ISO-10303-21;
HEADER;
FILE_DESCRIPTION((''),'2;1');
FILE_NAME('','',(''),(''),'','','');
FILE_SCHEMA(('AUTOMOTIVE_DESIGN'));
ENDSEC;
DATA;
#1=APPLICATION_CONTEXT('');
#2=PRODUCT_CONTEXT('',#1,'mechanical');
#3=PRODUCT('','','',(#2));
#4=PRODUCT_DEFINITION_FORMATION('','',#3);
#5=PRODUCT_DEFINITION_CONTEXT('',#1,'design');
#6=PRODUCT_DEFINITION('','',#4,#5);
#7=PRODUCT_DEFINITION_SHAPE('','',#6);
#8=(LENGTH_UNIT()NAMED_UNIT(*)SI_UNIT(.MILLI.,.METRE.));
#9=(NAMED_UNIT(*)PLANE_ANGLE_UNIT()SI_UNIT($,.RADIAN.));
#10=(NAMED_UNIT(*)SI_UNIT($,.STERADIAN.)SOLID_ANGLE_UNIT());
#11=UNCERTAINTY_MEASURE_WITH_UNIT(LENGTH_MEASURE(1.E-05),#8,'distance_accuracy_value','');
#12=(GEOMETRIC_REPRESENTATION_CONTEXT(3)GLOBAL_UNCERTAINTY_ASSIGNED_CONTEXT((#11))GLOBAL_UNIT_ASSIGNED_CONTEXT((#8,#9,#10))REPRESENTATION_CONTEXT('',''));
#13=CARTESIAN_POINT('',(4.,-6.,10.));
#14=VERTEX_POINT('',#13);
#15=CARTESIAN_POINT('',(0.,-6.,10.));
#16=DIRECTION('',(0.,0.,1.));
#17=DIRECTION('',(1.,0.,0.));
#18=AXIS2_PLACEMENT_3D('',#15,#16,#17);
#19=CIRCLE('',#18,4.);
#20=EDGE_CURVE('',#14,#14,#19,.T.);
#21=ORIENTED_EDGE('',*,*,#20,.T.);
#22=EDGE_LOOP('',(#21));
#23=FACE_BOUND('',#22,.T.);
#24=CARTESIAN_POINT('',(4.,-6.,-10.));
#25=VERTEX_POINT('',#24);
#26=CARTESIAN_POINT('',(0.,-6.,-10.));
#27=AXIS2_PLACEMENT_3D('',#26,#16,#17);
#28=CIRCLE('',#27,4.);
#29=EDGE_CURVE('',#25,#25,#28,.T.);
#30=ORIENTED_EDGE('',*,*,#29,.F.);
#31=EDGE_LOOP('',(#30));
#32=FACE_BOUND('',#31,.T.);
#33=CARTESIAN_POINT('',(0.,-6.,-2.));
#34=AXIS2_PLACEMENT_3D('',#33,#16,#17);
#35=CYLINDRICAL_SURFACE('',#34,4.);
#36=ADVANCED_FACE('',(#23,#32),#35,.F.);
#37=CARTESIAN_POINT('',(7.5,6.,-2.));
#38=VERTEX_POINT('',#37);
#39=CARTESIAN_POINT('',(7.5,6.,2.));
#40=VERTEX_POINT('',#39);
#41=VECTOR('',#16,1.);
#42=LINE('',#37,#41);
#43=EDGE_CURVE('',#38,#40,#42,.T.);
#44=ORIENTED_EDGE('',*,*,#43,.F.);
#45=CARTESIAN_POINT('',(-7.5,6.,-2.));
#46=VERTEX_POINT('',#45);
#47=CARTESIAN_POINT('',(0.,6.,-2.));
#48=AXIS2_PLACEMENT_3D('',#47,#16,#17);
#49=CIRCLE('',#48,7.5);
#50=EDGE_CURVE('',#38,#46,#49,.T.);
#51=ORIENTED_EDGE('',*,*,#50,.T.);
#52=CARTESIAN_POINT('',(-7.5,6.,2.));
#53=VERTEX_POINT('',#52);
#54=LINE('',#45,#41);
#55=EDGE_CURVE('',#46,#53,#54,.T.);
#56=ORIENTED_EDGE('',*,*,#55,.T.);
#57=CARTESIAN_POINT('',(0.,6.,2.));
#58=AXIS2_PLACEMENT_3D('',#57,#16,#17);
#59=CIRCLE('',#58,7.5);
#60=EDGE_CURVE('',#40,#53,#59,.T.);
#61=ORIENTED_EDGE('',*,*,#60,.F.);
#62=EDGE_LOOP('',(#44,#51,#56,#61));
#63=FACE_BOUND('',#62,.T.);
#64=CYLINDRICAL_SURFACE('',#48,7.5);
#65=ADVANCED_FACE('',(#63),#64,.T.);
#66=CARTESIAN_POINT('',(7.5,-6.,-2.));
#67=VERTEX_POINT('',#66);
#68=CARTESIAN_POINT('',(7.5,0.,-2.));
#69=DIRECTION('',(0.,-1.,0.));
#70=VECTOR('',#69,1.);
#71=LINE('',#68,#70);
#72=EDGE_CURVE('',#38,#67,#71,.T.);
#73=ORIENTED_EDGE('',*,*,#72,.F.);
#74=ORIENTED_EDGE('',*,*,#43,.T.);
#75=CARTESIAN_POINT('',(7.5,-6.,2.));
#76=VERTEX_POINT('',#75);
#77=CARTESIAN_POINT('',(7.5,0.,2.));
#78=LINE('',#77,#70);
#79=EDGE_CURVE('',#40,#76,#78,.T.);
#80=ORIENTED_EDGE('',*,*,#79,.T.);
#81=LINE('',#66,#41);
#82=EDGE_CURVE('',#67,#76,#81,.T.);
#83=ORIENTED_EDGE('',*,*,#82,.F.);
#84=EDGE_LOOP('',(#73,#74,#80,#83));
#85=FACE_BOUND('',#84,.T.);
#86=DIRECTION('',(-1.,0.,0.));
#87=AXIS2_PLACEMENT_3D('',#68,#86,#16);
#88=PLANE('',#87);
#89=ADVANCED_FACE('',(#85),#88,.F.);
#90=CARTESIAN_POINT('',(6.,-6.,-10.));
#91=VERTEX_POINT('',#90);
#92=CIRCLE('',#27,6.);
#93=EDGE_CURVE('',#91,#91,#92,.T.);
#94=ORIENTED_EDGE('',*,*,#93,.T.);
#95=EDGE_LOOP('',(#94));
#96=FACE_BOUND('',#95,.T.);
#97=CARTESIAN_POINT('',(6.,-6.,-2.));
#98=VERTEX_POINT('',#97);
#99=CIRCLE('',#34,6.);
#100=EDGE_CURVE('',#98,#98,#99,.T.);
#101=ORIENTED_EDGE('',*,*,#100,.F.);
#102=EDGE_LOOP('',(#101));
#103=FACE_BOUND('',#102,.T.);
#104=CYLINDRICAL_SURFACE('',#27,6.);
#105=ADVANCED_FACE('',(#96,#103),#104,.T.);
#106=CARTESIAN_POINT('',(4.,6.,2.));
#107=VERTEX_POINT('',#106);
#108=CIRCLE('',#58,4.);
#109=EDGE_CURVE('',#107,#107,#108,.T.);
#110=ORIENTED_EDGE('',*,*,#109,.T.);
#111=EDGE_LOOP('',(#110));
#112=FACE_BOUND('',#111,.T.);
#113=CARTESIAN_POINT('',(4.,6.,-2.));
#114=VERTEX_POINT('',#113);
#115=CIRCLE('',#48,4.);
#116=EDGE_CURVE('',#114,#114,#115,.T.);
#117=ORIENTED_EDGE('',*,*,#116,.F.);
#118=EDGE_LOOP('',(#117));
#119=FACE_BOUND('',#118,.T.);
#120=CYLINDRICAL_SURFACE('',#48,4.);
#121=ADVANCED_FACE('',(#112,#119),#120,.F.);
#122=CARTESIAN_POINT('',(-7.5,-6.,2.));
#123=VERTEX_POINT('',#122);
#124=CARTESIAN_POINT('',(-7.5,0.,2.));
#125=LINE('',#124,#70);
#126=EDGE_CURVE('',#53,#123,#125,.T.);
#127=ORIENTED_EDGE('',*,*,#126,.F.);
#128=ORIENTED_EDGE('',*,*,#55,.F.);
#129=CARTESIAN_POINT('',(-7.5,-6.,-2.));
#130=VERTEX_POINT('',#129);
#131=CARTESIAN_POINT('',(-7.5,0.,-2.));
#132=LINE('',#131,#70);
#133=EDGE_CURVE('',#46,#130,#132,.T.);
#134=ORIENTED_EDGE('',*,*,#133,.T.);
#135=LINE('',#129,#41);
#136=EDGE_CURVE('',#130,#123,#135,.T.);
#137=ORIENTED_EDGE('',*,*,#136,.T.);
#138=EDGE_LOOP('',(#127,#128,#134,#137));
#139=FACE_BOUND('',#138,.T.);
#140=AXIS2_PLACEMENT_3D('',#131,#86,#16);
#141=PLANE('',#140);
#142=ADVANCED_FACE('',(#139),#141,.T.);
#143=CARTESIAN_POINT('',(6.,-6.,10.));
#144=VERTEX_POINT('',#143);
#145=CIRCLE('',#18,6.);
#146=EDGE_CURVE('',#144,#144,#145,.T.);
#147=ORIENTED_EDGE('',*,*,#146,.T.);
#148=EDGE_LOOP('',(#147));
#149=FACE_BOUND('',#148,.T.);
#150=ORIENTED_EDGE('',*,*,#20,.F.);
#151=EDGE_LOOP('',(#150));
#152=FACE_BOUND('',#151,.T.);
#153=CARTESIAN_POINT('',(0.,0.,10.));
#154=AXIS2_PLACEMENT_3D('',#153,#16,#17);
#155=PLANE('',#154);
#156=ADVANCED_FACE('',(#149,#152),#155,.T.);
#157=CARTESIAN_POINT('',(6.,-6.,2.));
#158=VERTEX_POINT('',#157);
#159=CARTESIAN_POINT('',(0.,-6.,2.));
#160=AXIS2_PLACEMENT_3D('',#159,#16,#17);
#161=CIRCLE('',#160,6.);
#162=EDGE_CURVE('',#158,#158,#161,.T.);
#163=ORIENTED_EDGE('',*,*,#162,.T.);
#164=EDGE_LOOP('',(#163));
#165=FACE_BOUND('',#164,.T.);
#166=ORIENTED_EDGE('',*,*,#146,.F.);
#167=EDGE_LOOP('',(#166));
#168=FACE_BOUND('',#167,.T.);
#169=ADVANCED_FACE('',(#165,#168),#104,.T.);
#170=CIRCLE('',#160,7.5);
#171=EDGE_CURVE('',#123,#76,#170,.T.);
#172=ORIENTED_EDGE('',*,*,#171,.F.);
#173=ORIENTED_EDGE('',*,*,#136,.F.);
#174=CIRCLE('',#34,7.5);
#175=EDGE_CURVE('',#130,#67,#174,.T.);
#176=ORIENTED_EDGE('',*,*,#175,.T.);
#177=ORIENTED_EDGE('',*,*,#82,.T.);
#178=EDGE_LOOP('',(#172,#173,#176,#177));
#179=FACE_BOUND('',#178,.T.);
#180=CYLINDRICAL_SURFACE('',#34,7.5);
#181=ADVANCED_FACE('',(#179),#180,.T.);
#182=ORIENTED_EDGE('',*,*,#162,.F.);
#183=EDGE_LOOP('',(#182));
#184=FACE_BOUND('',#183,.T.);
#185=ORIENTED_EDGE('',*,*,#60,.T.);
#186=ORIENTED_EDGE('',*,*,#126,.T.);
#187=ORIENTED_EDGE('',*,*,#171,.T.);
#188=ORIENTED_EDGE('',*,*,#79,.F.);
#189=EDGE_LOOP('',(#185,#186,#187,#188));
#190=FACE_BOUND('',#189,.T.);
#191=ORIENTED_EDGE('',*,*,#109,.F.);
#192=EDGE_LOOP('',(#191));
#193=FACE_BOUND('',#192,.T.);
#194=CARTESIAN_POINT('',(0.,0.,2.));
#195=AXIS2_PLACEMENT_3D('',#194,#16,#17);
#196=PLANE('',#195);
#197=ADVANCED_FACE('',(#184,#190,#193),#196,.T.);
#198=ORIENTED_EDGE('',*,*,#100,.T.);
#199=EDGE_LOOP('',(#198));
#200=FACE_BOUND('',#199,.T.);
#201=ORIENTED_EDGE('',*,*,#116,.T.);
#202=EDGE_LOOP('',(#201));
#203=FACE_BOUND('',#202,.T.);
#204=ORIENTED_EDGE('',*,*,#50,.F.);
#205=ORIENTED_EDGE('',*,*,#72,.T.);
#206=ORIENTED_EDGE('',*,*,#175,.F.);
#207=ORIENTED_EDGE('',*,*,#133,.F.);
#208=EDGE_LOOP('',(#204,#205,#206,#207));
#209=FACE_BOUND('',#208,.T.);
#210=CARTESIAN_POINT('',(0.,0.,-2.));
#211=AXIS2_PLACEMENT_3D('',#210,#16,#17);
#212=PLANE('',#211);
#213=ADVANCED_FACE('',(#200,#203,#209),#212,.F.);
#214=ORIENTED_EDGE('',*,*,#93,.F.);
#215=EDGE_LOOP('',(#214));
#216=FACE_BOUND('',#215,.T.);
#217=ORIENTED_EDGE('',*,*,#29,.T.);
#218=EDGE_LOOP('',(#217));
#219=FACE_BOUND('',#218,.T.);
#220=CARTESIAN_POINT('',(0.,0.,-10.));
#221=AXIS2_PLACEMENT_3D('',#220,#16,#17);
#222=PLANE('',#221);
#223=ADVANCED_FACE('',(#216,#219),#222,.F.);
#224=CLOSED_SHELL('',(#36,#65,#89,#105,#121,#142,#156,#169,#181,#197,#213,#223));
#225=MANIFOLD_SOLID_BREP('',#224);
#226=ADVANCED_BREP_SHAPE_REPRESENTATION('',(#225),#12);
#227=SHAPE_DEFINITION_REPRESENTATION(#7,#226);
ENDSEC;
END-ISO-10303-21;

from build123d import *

# Parameters (mm, degrees)
SALIENTE_EXTRUIR1_DEPTH      = 2
SALIENTE_EXTRUIR1_DEPTH_BACK = 2
CROQUIS2_R                   = 4
SALIENTE_EXTRUIR2_DEPTH      = 10
SALIENTE_EXTRUIR2_DEPTH_BACK = 10
CROQUIS2_3_R                 = 6
CROQUIS2_3_R_2               = 4


with BuildPart() as part:
    # Croquis2 → Saliente-Extruir1 (new, two sides: drawn at the far end of the back side and taken through both)
    with BuildSketch(Plane.XY.offset(-SALIENTE_EXTRUIR1_DEPTH_BACK)):
        with BuildLine():
            Line((7.5, -6), (7.5, 6))
            ThreePointArc((7.5, 6), (0, 13.5), (-7.5, 6))
            Line((-7.5, 6), (-7.5, -6))
            ThreePointArc((-7.5, -6), (0, -13.5), (7.5, -6))
        make_face()
        with Locations((0, 6)):
            Circle(CROQUIS2_R, mode=Mode.SUBTRACT)
        with Locations((0, -6)):
            Circle(CROQUIS2_R, mode=Mode.SUBTRACT)
    extrude(amount=SALIENTE_EXTRUIR1_DEPTH + SALIENTE_EXTRUIR1_DEPTH_BACK)

    # Croquis2<3> → Saliente-Extruir2 (add, two sides: drawn at the far end of the back side and taken through both)
    with BuildSketch(Plane.XY.offset(-SALIENTE_EXTRUIR2_DEPTH_BACK)):
        with Locations((0, -6)):
            Circle(CROQUIS2_3_R)
        with Locations((0, -6)):
            Circle(CROQUIS2_3_R_2, mode=Mode.SUBTRACT)
    extrude(amount=SALIENTE_EXTRUIR2_DEPTH + SALIENTE_EXTRUIR2_DEPTH_BACK)


solid = part.part
